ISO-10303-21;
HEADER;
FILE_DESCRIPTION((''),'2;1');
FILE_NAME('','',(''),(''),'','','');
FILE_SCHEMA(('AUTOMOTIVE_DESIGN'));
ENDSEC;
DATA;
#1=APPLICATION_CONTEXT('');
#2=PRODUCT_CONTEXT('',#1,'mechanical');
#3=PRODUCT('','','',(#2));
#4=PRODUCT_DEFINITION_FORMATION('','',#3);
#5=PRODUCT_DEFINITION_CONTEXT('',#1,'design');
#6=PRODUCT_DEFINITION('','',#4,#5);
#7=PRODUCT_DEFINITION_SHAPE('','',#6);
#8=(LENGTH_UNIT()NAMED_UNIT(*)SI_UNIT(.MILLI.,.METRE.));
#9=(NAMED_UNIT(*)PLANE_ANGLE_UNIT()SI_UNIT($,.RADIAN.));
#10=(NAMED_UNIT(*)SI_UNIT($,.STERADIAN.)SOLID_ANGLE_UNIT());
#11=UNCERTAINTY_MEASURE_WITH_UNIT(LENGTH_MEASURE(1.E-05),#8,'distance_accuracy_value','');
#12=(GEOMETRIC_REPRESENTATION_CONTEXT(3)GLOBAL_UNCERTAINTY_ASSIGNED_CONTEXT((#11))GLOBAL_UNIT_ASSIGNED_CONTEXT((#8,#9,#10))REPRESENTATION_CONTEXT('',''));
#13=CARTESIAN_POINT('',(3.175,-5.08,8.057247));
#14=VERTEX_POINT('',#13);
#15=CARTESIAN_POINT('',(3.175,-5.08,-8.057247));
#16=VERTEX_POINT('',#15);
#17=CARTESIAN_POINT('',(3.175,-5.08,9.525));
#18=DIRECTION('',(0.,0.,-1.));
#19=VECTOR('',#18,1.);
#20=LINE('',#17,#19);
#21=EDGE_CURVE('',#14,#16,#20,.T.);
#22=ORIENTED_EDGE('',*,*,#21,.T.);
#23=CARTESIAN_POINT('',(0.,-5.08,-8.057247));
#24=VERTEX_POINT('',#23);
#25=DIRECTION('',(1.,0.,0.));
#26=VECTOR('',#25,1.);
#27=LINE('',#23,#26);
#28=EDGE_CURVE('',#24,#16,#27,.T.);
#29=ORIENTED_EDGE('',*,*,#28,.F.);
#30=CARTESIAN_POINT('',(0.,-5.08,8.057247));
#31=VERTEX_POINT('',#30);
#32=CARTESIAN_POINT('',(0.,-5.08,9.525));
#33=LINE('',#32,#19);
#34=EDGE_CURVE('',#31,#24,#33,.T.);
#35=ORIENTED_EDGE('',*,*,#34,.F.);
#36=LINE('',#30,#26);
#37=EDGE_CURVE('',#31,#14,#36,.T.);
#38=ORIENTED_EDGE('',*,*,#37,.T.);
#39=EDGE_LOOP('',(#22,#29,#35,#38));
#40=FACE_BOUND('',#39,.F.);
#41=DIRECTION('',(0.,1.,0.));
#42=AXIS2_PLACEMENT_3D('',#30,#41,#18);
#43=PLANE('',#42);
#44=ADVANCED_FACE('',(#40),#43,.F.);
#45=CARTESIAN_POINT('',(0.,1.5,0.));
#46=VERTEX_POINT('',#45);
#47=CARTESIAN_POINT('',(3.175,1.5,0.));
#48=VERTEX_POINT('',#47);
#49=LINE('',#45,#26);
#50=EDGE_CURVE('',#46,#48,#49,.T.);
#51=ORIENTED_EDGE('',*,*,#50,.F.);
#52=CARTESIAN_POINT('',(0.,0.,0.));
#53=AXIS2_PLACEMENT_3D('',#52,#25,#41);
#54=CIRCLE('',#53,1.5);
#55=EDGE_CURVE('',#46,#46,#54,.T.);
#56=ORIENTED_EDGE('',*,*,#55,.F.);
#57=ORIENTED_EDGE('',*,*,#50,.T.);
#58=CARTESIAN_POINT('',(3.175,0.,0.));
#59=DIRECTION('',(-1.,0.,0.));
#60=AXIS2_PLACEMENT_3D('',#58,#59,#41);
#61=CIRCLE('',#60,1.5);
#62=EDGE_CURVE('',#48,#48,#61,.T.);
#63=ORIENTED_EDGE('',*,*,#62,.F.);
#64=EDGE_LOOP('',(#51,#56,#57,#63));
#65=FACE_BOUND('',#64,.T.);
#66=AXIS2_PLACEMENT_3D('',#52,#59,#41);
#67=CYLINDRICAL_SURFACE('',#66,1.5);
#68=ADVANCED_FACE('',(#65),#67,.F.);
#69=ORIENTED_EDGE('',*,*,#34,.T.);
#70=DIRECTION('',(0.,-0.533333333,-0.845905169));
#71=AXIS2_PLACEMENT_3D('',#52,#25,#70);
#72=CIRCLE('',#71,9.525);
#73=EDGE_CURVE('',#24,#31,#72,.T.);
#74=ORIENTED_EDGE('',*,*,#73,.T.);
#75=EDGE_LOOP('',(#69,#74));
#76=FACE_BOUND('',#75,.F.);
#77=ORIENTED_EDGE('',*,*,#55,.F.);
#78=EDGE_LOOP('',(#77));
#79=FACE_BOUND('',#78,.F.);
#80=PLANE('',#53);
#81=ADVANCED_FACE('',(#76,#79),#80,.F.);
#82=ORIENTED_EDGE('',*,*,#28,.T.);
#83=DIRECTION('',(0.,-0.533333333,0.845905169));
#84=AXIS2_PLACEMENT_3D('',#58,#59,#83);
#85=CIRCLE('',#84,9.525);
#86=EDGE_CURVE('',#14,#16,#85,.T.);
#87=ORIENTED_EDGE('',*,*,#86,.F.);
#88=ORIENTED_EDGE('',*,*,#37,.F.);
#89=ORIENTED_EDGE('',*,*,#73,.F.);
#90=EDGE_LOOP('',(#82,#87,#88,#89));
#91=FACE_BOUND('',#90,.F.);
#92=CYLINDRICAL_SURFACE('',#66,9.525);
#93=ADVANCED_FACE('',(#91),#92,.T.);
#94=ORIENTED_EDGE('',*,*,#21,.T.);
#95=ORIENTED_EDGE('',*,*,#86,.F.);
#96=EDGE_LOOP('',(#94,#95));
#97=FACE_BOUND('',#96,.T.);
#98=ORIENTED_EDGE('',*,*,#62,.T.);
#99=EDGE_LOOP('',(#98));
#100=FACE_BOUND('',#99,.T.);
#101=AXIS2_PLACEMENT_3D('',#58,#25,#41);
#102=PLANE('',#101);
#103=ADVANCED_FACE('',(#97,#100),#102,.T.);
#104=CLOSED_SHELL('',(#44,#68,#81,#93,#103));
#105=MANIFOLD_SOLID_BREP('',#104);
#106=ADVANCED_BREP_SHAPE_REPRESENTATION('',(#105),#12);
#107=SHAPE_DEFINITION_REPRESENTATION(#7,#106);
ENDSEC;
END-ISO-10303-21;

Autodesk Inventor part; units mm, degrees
ref_plane "YZ Plane" through (0, 0, 0) normal (1, 0, 0) x (0, 1, 0)
ref_plane "XZ Plane" through (0, 0, 0) normal (0, 1, 0) x (-1, 0, 0)
ref_plane "XY Plane" through (0, 0, 0) normal (0, 0, 1) x (1, 0, 0)
sketch "Sketch1" plane through (0, 0, 0) normal (1, 0, 0) x (0, 1, 0)
  circle A0 centre (0, 0) radius 9.525
  line L0 (0, 10.3132) -> (0, -10.4019)
  line L1 (0, 9.525) -> (-5.08, 9.525)
  line L2 (-5.08, 9.525) -> (-5.08, -9.525)
  line L3 (-5.08, -9.525) -> (0, -9.525)
  line L4 (0, -9.525) -> (0, 9.525)
  circle A1 centre (0, 0) radius 1.5
  point P0 (-5.08, 8.0572)
  point P1 (-5.08, -8.0572)
  dimension "d0" = 19.05
  dimension "d1" = 3
  dimension "d2" = 5.08
extrude "Extrusion1" add sketch "Sketch1" along normal blind 3.175 contours A0 L0 A1 | L0 A1 A0 L2
properties part number "WheelConnector"
